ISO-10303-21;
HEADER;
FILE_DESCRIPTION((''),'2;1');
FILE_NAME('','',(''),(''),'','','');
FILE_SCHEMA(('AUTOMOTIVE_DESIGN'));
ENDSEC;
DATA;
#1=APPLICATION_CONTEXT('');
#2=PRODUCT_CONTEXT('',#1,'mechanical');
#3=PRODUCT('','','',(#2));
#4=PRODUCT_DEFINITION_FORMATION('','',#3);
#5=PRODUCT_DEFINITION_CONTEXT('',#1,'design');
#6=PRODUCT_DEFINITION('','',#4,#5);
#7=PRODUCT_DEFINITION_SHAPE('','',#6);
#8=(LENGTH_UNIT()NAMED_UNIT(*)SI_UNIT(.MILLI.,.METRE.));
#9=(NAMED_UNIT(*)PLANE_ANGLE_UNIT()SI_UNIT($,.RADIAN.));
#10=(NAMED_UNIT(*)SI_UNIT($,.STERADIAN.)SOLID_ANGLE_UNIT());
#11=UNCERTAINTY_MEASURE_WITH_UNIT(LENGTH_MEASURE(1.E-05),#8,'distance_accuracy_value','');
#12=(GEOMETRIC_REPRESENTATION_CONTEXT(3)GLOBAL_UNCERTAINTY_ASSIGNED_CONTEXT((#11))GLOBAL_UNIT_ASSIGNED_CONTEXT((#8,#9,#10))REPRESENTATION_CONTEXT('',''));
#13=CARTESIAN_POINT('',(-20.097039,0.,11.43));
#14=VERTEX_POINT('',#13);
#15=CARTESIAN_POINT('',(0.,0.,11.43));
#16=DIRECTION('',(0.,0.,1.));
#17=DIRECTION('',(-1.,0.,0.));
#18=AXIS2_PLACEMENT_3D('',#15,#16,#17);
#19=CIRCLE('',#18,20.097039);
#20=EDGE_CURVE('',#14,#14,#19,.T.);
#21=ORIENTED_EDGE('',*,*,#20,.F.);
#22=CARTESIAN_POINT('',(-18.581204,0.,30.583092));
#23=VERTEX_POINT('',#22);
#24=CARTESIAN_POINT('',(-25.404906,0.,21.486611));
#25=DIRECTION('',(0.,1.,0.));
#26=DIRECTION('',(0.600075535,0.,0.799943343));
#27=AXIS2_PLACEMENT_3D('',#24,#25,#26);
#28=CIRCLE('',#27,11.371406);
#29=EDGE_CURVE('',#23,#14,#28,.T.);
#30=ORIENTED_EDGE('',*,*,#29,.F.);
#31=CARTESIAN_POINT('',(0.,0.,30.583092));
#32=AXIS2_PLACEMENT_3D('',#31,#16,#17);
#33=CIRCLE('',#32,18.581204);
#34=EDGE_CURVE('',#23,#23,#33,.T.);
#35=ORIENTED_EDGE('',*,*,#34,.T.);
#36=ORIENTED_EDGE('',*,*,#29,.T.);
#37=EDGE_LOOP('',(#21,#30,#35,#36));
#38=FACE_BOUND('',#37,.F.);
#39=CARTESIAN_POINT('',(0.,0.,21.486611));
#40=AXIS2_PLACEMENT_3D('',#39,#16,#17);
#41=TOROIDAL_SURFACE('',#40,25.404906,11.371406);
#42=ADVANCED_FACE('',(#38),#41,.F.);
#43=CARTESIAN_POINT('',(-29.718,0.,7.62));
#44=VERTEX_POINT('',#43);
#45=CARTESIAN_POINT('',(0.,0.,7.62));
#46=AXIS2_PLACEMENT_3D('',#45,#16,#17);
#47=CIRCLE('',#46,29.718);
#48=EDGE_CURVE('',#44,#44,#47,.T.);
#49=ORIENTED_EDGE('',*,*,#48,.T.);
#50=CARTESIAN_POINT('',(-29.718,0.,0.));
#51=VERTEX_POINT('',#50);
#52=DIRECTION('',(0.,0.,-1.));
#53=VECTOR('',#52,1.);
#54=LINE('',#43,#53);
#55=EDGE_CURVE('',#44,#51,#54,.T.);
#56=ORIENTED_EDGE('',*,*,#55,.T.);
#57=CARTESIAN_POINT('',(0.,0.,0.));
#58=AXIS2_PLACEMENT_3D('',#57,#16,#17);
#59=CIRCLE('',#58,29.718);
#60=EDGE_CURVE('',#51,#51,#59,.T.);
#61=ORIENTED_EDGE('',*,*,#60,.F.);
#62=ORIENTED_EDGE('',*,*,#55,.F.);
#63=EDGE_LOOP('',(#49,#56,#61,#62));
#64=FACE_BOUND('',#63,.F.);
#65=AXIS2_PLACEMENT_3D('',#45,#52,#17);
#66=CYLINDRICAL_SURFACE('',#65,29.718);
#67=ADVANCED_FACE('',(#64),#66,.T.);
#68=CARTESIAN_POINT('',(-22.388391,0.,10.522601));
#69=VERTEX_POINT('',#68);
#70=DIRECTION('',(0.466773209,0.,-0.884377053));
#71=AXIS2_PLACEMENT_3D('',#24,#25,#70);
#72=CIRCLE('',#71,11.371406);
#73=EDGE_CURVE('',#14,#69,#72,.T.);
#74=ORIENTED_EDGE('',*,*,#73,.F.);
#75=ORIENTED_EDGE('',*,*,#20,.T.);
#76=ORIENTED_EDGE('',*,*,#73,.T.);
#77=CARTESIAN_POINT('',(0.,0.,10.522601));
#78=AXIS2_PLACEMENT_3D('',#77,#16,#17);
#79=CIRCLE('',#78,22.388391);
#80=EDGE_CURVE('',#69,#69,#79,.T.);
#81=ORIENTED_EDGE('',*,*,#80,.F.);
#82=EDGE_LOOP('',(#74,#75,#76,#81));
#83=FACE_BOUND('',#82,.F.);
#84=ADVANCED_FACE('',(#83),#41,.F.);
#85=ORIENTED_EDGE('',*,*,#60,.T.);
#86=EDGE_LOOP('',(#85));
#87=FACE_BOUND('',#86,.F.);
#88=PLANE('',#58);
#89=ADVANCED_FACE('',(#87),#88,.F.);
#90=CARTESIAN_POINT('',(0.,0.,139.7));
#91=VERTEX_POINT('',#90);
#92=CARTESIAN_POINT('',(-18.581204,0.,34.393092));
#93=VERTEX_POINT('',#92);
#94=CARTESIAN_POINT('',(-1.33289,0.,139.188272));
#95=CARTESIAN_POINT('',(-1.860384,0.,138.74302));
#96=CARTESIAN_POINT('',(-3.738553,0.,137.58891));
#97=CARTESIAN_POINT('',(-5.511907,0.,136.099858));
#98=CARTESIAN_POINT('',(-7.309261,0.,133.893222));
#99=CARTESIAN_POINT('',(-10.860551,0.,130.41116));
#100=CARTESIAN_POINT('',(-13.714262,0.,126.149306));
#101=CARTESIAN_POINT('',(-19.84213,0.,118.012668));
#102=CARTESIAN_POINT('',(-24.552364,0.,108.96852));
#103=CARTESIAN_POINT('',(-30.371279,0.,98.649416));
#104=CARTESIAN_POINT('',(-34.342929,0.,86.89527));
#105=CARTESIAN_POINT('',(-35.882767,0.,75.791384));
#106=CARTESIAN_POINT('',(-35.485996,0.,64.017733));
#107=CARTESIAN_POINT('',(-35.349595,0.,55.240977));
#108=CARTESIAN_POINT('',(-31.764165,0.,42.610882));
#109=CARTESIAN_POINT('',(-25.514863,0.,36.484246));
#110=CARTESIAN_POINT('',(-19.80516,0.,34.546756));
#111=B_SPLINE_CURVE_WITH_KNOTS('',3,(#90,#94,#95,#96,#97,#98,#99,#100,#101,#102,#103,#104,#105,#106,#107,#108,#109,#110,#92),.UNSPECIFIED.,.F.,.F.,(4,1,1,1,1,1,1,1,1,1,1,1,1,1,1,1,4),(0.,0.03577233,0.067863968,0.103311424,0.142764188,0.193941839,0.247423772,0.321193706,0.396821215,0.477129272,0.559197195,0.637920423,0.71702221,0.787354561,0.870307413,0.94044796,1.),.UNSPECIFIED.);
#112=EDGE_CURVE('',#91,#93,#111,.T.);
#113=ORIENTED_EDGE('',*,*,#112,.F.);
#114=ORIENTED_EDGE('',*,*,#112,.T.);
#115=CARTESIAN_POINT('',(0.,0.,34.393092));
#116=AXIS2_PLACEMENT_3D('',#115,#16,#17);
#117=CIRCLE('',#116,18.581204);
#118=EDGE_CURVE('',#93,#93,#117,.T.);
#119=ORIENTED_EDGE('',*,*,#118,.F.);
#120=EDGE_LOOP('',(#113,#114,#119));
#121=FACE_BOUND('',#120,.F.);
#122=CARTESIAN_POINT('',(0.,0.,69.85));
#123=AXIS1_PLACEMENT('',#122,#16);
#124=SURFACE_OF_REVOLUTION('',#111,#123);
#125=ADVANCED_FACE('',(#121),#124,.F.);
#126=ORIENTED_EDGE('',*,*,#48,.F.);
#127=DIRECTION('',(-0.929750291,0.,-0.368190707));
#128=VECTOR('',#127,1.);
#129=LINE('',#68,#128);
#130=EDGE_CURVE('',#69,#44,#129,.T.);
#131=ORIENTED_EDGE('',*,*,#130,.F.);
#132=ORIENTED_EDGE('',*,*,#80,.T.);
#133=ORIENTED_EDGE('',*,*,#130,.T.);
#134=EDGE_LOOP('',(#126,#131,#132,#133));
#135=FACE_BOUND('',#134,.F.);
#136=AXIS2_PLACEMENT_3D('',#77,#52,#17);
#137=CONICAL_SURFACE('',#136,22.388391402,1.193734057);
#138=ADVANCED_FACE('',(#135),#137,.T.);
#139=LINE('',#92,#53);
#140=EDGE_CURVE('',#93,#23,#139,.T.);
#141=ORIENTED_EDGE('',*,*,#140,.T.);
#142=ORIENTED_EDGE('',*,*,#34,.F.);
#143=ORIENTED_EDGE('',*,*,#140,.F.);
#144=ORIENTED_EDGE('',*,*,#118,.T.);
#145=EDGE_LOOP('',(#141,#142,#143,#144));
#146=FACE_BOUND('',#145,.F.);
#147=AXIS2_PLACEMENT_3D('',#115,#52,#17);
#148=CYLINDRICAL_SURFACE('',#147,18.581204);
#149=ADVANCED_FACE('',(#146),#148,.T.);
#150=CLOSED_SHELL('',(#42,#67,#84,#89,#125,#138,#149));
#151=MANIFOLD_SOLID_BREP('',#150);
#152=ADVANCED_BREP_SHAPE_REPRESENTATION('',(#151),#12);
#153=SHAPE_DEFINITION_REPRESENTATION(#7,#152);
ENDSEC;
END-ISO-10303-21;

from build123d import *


with BuildPart() as f1:
    # F0 (on Front) → F1 (revolve)
    with BuildSketch(Plane.XZ):
        with BuildLine():
            Line((-29.718, 0), (0, 0))
            Line((0, 0), (0, 139.7))
            add(Edge.make_bspline(
                [(0, 139.7), (-1.332890031, 139.1882715151), (-1.8603837673, 138.7430204991), (-3.738553409, 137.5889104722), (-5.5119074264, 136.0998578475), (-7.3092610972, 133.8932217358), (-10.8605513992, 130.411160203), (-13.7142621765, 126.1493057597), (-19.8421300006, 118.0126681069), (-24.5523638064, 108.9685204818), (-30.3712789483, 98.6494156699), (-34.3429286118, 86.895270118), (-35.8827669877, 75.7913836252), (-35.485996244, 64.0177325252), (-35.3495954504, 55.2409768629), (-31.7641647583, 42.6108824886), (-25.514862995, 36.4842456962), (-19.8051602282, 34.5467560758), (-18.5812036089, 34.3930916695)],
                knots=[0, 0, 0, 0, 0.0357723298, 0.0678639681, 0.1033114242, 0.1427641876, 0.1939418386, 0.247423772, 0.3211937059, 0.3968212146, 0.4771292725, 0.5591971953, 0.6379204232, 0.7170222096, 0.787354561, 0.8703074135, 0.9404479598, 1, 1, 1, 1], degree=3))
            Line((-18.5812036089, 34.3930916695), (-18.5812036089, 30.5830916695))
            ThreePointArc((-18.5812036089, 30.5830916695), (-14.0689467041, 20.5894479355), (-20.0970385226, 11.43))
            ThreePointArc((-20.0970385226, 11.43), (-21.2180602155, 10.9140424703), (-22.3883914024, 10.5226006208))
            Line((-22.3883914024, 10.5226006208), (-29.718, 7.62))
            Line((-29.718, 7.62), (-29.718, 0))
        make_face()
    revolve(axis=Axis((0, 0, 69.85), (0, 0, 1)))


solid = f1.part
